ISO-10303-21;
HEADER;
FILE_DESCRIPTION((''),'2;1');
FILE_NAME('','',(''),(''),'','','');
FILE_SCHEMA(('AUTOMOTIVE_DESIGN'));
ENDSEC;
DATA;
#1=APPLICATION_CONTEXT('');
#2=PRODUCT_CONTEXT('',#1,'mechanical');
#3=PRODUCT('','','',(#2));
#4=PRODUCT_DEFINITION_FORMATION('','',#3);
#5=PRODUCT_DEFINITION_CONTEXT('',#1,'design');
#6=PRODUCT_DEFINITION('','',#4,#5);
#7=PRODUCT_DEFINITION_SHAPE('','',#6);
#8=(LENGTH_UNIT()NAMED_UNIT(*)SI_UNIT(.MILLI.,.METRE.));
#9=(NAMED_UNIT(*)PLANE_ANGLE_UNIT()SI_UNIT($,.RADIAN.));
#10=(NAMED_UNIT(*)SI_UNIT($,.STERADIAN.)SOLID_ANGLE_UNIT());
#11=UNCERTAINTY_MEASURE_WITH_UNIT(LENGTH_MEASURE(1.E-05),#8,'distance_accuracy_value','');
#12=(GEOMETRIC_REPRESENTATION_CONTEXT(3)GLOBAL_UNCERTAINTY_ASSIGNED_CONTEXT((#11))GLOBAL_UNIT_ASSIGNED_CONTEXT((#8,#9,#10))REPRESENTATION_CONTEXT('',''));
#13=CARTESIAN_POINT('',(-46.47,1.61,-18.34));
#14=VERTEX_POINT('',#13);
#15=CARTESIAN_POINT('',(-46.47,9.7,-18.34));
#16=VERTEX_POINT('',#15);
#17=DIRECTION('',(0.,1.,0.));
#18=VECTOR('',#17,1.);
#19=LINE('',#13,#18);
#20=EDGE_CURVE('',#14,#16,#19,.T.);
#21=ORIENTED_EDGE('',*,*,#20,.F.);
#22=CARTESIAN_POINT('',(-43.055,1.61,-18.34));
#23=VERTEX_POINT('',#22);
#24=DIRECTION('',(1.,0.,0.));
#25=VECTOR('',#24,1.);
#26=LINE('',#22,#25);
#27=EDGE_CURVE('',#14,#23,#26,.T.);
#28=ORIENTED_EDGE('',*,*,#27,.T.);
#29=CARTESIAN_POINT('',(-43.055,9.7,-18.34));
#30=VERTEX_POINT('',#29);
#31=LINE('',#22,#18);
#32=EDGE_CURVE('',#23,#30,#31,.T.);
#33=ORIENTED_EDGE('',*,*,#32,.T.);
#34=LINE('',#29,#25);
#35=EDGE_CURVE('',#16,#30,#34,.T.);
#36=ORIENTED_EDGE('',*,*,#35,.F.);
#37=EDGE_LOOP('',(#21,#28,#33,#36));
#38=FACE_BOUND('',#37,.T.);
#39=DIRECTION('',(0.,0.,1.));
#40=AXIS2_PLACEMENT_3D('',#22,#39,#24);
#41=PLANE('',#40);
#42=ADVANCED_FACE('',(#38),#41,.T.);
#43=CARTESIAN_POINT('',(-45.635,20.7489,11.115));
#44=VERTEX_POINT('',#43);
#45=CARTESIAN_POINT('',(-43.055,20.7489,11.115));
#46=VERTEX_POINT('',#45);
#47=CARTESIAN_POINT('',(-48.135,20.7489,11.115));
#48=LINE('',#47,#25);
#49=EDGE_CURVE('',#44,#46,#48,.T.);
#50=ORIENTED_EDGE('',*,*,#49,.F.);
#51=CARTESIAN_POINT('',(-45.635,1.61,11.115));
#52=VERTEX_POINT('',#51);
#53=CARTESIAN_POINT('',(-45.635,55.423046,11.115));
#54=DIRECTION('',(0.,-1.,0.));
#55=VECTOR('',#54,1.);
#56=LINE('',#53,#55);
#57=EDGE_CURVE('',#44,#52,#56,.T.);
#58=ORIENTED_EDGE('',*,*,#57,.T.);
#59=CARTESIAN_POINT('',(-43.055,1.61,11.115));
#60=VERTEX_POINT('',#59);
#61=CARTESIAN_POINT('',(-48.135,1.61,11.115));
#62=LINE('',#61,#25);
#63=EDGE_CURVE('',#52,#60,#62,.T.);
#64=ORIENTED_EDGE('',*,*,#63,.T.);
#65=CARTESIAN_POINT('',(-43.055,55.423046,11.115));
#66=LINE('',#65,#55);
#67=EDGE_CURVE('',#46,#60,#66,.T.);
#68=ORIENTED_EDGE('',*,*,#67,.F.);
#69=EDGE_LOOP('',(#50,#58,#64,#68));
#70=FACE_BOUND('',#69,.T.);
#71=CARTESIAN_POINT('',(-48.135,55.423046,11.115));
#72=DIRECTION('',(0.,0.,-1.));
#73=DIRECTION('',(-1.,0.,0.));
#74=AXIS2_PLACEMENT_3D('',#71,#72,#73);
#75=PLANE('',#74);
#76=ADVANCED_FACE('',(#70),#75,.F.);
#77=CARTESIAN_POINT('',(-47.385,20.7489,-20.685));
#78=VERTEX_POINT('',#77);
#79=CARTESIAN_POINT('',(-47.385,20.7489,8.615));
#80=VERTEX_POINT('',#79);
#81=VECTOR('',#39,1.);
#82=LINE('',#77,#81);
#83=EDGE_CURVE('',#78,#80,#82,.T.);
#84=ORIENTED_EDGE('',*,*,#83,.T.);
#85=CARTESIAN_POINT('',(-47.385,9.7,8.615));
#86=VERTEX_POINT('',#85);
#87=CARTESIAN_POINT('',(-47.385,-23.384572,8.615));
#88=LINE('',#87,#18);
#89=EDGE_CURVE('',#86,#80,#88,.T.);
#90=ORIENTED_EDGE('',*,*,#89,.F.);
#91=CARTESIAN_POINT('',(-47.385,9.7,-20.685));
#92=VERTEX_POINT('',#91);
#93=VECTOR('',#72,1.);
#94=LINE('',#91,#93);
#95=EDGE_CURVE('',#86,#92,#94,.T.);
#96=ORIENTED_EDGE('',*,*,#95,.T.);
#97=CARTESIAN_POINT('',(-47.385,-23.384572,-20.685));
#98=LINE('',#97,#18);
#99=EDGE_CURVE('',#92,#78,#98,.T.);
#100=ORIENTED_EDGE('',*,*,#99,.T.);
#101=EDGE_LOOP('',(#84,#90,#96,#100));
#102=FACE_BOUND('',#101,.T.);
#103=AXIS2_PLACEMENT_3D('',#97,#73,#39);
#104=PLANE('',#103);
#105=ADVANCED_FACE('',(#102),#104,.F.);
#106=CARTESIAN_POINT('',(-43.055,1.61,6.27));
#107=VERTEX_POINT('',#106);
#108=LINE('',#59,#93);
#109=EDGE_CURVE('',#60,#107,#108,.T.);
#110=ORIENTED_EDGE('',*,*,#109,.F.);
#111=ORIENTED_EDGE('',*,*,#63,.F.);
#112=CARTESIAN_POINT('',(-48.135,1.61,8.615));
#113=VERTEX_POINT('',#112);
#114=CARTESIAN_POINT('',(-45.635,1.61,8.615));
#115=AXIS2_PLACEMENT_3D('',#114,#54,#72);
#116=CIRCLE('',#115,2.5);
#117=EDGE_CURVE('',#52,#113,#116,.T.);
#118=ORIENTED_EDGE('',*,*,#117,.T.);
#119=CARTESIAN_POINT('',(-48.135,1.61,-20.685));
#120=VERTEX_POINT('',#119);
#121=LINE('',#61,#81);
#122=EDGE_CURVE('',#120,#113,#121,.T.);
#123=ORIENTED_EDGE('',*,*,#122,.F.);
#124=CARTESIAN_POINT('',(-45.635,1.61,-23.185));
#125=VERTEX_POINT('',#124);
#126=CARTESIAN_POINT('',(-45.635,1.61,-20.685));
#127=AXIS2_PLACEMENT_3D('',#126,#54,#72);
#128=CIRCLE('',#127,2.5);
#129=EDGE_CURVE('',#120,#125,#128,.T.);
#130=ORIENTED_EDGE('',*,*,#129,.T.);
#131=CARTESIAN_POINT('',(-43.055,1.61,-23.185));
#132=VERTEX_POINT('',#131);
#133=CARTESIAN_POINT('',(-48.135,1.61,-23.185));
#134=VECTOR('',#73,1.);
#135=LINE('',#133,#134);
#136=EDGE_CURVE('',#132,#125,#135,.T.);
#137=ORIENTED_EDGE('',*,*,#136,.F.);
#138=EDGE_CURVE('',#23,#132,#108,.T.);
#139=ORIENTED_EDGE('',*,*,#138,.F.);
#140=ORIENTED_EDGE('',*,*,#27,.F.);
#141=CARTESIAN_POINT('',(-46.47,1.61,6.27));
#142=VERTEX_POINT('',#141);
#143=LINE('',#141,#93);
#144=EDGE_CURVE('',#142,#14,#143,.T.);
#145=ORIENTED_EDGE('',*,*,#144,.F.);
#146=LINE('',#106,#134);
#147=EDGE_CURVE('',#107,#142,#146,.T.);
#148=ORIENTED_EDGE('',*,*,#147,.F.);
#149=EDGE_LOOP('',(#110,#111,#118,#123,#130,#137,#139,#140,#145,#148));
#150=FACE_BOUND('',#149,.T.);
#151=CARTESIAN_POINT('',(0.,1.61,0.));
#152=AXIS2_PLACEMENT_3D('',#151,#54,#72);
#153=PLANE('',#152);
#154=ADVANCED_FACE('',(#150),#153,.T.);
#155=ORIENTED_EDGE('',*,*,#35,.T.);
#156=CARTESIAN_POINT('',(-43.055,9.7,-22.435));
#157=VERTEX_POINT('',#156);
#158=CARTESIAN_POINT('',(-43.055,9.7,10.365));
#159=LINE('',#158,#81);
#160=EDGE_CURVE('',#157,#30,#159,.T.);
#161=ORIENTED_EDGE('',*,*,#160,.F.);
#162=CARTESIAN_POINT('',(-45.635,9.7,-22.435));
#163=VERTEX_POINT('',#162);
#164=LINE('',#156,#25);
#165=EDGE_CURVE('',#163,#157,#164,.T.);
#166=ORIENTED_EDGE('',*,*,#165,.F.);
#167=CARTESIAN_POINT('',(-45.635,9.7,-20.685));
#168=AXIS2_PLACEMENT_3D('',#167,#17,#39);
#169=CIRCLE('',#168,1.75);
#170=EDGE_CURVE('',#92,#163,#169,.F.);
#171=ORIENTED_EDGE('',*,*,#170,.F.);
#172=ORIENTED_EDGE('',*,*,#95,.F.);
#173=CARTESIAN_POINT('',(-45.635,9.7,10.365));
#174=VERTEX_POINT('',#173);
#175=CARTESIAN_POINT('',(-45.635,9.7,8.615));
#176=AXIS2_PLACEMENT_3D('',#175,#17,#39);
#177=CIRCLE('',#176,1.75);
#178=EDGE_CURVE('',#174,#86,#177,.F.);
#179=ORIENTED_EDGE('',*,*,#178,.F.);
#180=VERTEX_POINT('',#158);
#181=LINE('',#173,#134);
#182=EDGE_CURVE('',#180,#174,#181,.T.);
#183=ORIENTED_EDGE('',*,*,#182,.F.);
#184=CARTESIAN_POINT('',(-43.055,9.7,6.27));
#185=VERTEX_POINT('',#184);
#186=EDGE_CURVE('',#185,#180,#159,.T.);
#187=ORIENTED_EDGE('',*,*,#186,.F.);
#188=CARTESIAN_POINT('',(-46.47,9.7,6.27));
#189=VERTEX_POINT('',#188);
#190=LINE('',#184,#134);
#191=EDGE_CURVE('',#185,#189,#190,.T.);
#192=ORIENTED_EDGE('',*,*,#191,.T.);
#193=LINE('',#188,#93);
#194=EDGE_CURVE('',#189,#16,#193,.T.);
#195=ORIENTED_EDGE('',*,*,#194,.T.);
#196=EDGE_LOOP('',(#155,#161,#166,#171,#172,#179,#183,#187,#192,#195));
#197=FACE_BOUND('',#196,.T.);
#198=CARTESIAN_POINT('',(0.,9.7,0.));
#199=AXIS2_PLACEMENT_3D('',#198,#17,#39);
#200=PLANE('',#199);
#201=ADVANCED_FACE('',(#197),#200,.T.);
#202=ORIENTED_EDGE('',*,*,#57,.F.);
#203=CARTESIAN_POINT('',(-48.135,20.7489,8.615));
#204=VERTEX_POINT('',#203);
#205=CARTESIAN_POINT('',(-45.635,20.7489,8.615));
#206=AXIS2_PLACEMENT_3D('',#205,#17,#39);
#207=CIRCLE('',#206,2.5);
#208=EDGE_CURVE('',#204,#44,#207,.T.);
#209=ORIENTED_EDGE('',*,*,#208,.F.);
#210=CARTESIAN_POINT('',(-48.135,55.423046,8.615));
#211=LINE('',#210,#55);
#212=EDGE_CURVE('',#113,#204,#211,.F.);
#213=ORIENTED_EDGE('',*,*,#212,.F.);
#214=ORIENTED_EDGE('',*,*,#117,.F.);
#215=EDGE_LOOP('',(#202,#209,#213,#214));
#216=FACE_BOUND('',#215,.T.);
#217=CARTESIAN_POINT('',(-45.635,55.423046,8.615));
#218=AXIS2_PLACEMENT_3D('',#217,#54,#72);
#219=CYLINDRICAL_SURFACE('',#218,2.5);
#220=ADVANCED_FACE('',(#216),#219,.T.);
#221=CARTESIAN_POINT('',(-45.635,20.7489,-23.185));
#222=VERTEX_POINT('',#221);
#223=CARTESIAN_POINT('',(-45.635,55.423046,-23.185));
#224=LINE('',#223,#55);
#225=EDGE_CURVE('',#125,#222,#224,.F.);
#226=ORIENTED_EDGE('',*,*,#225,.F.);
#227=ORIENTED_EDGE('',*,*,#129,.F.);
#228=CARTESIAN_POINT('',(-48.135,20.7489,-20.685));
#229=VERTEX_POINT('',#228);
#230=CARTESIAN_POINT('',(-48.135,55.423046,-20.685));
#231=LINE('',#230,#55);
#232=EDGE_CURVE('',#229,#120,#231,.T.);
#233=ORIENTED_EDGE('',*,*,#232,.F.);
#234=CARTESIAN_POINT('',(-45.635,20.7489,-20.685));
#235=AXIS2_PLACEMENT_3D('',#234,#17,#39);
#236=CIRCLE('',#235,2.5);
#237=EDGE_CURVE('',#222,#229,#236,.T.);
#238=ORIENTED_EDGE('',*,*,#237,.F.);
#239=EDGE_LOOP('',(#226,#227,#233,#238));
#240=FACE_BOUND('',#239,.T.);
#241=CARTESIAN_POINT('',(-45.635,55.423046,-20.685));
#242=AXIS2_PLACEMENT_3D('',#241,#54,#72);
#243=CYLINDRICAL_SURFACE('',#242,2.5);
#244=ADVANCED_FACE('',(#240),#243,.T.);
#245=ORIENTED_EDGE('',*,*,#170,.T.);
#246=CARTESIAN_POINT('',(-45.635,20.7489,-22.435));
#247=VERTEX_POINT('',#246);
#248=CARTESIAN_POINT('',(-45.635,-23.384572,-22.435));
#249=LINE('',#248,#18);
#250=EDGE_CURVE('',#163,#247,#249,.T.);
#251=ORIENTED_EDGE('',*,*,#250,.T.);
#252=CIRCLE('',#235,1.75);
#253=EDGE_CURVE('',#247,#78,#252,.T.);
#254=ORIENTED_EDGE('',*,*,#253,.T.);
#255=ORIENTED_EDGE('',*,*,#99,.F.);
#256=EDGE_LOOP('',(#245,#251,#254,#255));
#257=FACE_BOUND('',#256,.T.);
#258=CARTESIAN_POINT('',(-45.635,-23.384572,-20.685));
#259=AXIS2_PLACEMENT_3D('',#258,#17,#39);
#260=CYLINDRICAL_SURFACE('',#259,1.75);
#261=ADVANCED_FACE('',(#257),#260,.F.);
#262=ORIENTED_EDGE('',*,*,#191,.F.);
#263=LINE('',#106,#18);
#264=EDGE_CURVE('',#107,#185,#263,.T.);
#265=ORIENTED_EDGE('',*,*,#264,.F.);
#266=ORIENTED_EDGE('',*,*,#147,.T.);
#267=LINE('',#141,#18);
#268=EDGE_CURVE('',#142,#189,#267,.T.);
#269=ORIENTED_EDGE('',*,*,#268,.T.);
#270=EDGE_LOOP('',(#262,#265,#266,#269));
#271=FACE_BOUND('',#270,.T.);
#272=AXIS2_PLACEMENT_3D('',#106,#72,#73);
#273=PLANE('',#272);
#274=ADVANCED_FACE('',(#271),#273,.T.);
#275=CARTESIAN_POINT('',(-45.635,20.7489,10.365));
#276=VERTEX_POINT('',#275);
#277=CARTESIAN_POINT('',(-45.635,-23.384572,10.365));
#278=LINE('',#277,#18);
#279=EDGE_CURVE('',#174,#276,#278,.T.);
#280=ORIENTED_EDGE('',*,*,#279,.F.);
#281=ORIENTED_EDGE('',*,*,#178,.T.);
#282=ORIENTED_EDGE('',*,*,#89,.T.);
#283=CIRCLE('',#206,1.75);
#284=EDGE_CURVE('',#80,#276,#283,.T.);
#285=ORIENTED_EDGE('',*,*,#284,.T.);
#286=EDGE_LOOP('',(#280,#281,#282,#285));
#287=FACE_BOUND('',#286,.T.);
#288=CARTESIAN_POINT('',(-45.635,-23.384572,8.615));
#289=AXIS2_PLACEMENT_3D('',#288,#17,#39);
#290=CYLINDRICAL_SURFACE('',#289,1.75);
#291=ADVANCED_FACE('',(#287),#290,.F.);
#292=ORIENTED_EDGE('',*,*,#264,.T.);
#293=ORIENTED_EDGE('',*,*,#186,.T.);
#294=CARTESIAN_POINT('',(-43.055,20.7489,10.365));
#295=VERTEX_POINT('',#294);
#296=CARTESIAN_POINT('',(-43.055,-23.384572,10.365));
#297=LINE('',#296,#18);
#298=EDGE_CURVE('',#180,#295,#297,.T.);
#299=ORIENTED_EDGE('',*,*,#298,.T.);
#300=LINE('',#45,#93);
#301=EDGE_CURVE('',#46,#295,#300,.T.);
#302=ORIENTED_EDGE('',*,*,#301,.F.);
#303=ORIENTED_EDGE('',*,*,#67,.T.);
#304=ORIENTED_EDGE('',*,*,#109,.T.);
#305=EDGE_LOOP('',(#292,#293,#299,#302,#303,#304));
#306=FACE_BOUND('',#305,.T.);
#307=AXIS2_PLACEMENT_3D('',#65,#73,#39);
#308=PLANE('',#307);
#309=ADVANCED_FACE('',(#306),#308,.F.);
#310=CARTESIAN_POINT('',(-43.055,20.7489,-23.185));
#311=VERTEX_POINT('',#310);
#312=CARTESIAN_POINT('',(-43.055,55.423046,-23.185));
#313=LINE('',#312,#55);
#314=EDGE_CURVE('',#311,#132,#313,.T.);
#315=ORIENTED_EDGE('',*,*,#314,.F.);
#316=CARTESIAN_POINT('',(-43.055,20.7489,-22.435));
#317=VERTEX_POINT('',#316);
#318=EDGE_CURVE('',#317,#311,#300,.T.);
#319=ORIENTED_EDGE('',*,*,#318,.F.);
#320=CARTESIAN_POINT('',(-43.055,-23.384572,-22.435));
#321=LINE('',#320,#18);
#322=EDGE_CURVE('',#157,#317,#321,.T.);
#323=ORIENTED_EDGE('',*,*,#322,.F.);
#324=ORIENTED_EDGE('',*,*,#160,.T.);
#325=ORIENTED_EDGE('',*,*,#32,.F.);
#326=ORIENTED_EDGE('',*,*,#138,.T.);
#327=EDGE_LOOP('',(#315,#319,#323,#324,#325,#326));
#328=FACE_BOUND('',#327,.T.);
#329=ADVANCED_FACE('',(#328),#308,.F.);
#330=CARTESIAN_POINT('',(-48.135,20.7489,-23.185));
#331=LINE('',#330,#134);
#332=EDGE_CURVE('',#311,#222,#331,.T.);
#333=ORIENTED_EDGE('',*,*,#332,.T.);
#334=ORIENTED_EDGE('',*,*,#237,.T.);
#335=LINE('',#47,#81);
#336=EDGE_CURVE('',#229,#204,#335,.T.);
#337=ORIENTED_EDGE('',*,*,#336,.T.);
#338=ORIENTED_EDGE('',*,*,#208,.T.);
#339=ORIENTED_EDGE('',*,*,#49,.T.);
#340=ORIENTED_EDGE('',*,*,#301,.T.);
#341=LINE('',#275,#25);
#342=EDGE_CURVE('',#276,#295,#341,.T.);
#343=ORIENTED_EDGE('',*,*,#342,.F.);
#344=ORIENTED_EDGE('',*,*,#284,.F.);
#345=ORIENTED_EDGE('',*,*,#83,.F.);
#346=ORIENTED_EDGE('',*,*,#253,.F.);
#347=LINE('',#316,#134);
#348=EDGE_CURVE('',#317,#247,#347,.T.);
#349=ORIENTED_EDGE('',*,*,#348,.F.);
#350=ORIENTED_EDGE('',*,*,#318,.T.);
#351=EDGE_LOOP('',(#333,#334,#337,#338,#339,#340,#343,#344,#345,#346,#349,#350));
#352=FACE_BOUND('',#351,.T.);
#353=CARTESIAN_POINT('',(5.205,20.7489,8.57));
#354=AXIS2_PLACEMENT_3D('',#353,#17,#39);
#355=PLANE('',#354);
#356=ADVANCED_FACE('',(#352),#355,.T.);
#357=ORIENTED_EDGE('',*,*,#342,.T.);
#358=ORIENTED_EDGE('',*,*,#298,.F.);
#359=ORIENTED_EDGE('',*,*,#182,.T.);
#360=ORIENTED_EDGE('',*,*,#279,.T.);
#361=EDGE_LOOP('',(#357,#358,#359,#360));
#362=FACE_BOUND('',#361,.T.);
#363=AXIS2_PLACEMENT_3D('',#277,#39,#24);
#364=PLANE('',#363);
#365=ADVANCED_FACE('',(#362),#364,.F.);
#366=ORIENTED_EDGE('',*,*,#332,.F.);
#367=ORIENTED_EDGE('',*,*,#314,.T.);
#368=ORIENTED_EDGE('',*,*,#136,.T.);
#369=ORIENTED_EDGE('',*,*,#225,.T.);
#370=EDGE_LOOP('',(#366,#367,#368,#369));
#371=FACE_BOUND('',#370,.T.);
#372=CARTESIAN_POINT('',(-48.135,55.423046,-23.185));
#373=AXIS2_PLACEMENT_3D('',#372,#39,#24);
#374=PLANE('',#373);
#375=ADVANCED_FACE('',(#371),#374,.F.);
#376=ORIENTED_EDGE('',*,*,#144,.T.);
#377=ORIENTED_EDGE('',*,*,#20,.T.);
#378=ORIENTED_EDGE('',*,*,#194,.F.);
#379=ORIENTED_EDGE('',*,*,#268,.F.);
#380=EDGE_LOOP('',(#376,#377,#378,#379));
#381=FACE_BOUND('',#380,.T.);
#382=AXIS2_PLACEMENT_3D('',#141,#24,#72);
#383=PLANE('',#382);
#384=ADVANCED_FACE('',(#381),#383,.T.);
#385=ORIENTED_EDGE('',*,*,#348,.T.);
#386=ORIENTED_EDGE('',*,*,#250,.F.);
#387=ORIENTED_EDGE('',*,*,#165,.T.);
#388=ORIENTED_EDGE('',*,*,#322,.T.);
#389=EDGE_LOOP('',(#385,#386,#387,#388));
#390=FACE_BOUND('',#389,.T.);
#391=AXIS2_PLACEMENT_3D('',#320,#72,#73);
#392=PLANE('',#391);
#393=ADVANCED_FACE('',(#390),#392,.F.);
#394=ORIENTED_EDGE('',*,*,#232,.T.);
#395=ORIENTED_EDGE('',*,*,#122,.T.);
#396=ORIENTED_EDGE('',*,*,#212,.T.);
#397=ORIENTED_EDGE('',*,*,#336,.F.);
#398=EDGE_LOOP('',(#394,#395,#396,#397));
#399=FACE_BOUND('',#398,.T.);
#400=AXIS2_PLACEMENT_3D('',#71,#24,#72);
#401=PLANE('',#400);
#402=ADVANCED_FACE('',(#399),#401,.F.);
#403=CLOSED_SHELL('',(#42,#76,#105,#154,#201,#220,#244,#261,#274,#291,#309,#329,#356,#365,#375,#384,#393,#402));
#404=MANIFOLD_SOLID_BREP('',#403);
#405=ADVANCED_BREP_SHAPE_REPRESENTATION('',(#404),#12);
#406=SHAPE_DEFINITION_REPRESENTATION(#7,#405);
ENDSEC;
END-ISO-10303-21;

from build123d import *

# Parameters (mm, degrees)
SKETCH2_W           = 5.08
SKETCH2_H           = 34.3
BOSS_EXTRUDE1_DEPTH = 19.1389
FILLET1_R           = 2.5
SKETCH3_W           = 3.415
SKETCH3_H           = 24.61
CUT_EXTRUDE1_DEPTH  = 55.558231654
CUT_EXTRUDE2_DEPTH  = 11.0489


with BuildPart() as part:
    # Sketch2 → Boss-Extrude1 (new body)
    with BuildSketch(Plane(origin=(0, 1.61, 0), x_dir=(1, 0, 0), z_dir=(0, 1, 0))):
        with Locations((-45.595, 6.035)):
            Rectangle(SKETCH2_W, SKETCH2_H)
    extrude(amount=BOSS_EXTRUDE1_DEPTH)

    # Fillet1
    fillet1_edges = [part.edges().sort_by_distance(p)[0] for p in [
        (-48.135, 11.17945, -23.185),
        (-48.135, 11.17945, 11.115),
    ]]
    fillet(fillet1_edges, radius=FILLET1_R)

    # Sketch3 → Cut-Extrude1 (cut, through all)
    with BuildSketch(Plane(origin=(0, 9.7, 0), x_dir=(-1, 0, 0), z_dir=(0, -1, 0))):
        with Locations((44.7625, 6.035)):
            Rectangle(SKETCH3_W, SKETCH3_H)
    extrude(amount=CUT_EXTRUDE1_DEPTH, mode=Mode.SUBTRACT)

    # Sketch4 → Cut-Extrude2 (cut)
    with BuildSketch(Plane(origin=(0, 20.7489, 0), x_dir=(1, 0, 0), z_dir=(0, 1, 0))):
        with BuildLine():
            Line((-43.055, -10.365), (-43.055, 22.435))
            Line((-43.055, 22.435), (-45.635, 22.435))
            ThreePointArc((-45.635, 22.435), (-46.872436867, 21.922436867), (-47.385, 20.685))
            Line((-47.385, 20.685), (-47.385, -8.615))
            ThreePointArc((-47.385, -8.615), (-46.872436867, -9.852436867), (-45.635, -10.365))
            Line((-45.635, -10.365), (-43.055, -10.365))
        make_face()
    extrude(amount=-CUT_EXTRUDE2_DEPTH, mode=Mode.SUBTRACT)


solid = part.part
